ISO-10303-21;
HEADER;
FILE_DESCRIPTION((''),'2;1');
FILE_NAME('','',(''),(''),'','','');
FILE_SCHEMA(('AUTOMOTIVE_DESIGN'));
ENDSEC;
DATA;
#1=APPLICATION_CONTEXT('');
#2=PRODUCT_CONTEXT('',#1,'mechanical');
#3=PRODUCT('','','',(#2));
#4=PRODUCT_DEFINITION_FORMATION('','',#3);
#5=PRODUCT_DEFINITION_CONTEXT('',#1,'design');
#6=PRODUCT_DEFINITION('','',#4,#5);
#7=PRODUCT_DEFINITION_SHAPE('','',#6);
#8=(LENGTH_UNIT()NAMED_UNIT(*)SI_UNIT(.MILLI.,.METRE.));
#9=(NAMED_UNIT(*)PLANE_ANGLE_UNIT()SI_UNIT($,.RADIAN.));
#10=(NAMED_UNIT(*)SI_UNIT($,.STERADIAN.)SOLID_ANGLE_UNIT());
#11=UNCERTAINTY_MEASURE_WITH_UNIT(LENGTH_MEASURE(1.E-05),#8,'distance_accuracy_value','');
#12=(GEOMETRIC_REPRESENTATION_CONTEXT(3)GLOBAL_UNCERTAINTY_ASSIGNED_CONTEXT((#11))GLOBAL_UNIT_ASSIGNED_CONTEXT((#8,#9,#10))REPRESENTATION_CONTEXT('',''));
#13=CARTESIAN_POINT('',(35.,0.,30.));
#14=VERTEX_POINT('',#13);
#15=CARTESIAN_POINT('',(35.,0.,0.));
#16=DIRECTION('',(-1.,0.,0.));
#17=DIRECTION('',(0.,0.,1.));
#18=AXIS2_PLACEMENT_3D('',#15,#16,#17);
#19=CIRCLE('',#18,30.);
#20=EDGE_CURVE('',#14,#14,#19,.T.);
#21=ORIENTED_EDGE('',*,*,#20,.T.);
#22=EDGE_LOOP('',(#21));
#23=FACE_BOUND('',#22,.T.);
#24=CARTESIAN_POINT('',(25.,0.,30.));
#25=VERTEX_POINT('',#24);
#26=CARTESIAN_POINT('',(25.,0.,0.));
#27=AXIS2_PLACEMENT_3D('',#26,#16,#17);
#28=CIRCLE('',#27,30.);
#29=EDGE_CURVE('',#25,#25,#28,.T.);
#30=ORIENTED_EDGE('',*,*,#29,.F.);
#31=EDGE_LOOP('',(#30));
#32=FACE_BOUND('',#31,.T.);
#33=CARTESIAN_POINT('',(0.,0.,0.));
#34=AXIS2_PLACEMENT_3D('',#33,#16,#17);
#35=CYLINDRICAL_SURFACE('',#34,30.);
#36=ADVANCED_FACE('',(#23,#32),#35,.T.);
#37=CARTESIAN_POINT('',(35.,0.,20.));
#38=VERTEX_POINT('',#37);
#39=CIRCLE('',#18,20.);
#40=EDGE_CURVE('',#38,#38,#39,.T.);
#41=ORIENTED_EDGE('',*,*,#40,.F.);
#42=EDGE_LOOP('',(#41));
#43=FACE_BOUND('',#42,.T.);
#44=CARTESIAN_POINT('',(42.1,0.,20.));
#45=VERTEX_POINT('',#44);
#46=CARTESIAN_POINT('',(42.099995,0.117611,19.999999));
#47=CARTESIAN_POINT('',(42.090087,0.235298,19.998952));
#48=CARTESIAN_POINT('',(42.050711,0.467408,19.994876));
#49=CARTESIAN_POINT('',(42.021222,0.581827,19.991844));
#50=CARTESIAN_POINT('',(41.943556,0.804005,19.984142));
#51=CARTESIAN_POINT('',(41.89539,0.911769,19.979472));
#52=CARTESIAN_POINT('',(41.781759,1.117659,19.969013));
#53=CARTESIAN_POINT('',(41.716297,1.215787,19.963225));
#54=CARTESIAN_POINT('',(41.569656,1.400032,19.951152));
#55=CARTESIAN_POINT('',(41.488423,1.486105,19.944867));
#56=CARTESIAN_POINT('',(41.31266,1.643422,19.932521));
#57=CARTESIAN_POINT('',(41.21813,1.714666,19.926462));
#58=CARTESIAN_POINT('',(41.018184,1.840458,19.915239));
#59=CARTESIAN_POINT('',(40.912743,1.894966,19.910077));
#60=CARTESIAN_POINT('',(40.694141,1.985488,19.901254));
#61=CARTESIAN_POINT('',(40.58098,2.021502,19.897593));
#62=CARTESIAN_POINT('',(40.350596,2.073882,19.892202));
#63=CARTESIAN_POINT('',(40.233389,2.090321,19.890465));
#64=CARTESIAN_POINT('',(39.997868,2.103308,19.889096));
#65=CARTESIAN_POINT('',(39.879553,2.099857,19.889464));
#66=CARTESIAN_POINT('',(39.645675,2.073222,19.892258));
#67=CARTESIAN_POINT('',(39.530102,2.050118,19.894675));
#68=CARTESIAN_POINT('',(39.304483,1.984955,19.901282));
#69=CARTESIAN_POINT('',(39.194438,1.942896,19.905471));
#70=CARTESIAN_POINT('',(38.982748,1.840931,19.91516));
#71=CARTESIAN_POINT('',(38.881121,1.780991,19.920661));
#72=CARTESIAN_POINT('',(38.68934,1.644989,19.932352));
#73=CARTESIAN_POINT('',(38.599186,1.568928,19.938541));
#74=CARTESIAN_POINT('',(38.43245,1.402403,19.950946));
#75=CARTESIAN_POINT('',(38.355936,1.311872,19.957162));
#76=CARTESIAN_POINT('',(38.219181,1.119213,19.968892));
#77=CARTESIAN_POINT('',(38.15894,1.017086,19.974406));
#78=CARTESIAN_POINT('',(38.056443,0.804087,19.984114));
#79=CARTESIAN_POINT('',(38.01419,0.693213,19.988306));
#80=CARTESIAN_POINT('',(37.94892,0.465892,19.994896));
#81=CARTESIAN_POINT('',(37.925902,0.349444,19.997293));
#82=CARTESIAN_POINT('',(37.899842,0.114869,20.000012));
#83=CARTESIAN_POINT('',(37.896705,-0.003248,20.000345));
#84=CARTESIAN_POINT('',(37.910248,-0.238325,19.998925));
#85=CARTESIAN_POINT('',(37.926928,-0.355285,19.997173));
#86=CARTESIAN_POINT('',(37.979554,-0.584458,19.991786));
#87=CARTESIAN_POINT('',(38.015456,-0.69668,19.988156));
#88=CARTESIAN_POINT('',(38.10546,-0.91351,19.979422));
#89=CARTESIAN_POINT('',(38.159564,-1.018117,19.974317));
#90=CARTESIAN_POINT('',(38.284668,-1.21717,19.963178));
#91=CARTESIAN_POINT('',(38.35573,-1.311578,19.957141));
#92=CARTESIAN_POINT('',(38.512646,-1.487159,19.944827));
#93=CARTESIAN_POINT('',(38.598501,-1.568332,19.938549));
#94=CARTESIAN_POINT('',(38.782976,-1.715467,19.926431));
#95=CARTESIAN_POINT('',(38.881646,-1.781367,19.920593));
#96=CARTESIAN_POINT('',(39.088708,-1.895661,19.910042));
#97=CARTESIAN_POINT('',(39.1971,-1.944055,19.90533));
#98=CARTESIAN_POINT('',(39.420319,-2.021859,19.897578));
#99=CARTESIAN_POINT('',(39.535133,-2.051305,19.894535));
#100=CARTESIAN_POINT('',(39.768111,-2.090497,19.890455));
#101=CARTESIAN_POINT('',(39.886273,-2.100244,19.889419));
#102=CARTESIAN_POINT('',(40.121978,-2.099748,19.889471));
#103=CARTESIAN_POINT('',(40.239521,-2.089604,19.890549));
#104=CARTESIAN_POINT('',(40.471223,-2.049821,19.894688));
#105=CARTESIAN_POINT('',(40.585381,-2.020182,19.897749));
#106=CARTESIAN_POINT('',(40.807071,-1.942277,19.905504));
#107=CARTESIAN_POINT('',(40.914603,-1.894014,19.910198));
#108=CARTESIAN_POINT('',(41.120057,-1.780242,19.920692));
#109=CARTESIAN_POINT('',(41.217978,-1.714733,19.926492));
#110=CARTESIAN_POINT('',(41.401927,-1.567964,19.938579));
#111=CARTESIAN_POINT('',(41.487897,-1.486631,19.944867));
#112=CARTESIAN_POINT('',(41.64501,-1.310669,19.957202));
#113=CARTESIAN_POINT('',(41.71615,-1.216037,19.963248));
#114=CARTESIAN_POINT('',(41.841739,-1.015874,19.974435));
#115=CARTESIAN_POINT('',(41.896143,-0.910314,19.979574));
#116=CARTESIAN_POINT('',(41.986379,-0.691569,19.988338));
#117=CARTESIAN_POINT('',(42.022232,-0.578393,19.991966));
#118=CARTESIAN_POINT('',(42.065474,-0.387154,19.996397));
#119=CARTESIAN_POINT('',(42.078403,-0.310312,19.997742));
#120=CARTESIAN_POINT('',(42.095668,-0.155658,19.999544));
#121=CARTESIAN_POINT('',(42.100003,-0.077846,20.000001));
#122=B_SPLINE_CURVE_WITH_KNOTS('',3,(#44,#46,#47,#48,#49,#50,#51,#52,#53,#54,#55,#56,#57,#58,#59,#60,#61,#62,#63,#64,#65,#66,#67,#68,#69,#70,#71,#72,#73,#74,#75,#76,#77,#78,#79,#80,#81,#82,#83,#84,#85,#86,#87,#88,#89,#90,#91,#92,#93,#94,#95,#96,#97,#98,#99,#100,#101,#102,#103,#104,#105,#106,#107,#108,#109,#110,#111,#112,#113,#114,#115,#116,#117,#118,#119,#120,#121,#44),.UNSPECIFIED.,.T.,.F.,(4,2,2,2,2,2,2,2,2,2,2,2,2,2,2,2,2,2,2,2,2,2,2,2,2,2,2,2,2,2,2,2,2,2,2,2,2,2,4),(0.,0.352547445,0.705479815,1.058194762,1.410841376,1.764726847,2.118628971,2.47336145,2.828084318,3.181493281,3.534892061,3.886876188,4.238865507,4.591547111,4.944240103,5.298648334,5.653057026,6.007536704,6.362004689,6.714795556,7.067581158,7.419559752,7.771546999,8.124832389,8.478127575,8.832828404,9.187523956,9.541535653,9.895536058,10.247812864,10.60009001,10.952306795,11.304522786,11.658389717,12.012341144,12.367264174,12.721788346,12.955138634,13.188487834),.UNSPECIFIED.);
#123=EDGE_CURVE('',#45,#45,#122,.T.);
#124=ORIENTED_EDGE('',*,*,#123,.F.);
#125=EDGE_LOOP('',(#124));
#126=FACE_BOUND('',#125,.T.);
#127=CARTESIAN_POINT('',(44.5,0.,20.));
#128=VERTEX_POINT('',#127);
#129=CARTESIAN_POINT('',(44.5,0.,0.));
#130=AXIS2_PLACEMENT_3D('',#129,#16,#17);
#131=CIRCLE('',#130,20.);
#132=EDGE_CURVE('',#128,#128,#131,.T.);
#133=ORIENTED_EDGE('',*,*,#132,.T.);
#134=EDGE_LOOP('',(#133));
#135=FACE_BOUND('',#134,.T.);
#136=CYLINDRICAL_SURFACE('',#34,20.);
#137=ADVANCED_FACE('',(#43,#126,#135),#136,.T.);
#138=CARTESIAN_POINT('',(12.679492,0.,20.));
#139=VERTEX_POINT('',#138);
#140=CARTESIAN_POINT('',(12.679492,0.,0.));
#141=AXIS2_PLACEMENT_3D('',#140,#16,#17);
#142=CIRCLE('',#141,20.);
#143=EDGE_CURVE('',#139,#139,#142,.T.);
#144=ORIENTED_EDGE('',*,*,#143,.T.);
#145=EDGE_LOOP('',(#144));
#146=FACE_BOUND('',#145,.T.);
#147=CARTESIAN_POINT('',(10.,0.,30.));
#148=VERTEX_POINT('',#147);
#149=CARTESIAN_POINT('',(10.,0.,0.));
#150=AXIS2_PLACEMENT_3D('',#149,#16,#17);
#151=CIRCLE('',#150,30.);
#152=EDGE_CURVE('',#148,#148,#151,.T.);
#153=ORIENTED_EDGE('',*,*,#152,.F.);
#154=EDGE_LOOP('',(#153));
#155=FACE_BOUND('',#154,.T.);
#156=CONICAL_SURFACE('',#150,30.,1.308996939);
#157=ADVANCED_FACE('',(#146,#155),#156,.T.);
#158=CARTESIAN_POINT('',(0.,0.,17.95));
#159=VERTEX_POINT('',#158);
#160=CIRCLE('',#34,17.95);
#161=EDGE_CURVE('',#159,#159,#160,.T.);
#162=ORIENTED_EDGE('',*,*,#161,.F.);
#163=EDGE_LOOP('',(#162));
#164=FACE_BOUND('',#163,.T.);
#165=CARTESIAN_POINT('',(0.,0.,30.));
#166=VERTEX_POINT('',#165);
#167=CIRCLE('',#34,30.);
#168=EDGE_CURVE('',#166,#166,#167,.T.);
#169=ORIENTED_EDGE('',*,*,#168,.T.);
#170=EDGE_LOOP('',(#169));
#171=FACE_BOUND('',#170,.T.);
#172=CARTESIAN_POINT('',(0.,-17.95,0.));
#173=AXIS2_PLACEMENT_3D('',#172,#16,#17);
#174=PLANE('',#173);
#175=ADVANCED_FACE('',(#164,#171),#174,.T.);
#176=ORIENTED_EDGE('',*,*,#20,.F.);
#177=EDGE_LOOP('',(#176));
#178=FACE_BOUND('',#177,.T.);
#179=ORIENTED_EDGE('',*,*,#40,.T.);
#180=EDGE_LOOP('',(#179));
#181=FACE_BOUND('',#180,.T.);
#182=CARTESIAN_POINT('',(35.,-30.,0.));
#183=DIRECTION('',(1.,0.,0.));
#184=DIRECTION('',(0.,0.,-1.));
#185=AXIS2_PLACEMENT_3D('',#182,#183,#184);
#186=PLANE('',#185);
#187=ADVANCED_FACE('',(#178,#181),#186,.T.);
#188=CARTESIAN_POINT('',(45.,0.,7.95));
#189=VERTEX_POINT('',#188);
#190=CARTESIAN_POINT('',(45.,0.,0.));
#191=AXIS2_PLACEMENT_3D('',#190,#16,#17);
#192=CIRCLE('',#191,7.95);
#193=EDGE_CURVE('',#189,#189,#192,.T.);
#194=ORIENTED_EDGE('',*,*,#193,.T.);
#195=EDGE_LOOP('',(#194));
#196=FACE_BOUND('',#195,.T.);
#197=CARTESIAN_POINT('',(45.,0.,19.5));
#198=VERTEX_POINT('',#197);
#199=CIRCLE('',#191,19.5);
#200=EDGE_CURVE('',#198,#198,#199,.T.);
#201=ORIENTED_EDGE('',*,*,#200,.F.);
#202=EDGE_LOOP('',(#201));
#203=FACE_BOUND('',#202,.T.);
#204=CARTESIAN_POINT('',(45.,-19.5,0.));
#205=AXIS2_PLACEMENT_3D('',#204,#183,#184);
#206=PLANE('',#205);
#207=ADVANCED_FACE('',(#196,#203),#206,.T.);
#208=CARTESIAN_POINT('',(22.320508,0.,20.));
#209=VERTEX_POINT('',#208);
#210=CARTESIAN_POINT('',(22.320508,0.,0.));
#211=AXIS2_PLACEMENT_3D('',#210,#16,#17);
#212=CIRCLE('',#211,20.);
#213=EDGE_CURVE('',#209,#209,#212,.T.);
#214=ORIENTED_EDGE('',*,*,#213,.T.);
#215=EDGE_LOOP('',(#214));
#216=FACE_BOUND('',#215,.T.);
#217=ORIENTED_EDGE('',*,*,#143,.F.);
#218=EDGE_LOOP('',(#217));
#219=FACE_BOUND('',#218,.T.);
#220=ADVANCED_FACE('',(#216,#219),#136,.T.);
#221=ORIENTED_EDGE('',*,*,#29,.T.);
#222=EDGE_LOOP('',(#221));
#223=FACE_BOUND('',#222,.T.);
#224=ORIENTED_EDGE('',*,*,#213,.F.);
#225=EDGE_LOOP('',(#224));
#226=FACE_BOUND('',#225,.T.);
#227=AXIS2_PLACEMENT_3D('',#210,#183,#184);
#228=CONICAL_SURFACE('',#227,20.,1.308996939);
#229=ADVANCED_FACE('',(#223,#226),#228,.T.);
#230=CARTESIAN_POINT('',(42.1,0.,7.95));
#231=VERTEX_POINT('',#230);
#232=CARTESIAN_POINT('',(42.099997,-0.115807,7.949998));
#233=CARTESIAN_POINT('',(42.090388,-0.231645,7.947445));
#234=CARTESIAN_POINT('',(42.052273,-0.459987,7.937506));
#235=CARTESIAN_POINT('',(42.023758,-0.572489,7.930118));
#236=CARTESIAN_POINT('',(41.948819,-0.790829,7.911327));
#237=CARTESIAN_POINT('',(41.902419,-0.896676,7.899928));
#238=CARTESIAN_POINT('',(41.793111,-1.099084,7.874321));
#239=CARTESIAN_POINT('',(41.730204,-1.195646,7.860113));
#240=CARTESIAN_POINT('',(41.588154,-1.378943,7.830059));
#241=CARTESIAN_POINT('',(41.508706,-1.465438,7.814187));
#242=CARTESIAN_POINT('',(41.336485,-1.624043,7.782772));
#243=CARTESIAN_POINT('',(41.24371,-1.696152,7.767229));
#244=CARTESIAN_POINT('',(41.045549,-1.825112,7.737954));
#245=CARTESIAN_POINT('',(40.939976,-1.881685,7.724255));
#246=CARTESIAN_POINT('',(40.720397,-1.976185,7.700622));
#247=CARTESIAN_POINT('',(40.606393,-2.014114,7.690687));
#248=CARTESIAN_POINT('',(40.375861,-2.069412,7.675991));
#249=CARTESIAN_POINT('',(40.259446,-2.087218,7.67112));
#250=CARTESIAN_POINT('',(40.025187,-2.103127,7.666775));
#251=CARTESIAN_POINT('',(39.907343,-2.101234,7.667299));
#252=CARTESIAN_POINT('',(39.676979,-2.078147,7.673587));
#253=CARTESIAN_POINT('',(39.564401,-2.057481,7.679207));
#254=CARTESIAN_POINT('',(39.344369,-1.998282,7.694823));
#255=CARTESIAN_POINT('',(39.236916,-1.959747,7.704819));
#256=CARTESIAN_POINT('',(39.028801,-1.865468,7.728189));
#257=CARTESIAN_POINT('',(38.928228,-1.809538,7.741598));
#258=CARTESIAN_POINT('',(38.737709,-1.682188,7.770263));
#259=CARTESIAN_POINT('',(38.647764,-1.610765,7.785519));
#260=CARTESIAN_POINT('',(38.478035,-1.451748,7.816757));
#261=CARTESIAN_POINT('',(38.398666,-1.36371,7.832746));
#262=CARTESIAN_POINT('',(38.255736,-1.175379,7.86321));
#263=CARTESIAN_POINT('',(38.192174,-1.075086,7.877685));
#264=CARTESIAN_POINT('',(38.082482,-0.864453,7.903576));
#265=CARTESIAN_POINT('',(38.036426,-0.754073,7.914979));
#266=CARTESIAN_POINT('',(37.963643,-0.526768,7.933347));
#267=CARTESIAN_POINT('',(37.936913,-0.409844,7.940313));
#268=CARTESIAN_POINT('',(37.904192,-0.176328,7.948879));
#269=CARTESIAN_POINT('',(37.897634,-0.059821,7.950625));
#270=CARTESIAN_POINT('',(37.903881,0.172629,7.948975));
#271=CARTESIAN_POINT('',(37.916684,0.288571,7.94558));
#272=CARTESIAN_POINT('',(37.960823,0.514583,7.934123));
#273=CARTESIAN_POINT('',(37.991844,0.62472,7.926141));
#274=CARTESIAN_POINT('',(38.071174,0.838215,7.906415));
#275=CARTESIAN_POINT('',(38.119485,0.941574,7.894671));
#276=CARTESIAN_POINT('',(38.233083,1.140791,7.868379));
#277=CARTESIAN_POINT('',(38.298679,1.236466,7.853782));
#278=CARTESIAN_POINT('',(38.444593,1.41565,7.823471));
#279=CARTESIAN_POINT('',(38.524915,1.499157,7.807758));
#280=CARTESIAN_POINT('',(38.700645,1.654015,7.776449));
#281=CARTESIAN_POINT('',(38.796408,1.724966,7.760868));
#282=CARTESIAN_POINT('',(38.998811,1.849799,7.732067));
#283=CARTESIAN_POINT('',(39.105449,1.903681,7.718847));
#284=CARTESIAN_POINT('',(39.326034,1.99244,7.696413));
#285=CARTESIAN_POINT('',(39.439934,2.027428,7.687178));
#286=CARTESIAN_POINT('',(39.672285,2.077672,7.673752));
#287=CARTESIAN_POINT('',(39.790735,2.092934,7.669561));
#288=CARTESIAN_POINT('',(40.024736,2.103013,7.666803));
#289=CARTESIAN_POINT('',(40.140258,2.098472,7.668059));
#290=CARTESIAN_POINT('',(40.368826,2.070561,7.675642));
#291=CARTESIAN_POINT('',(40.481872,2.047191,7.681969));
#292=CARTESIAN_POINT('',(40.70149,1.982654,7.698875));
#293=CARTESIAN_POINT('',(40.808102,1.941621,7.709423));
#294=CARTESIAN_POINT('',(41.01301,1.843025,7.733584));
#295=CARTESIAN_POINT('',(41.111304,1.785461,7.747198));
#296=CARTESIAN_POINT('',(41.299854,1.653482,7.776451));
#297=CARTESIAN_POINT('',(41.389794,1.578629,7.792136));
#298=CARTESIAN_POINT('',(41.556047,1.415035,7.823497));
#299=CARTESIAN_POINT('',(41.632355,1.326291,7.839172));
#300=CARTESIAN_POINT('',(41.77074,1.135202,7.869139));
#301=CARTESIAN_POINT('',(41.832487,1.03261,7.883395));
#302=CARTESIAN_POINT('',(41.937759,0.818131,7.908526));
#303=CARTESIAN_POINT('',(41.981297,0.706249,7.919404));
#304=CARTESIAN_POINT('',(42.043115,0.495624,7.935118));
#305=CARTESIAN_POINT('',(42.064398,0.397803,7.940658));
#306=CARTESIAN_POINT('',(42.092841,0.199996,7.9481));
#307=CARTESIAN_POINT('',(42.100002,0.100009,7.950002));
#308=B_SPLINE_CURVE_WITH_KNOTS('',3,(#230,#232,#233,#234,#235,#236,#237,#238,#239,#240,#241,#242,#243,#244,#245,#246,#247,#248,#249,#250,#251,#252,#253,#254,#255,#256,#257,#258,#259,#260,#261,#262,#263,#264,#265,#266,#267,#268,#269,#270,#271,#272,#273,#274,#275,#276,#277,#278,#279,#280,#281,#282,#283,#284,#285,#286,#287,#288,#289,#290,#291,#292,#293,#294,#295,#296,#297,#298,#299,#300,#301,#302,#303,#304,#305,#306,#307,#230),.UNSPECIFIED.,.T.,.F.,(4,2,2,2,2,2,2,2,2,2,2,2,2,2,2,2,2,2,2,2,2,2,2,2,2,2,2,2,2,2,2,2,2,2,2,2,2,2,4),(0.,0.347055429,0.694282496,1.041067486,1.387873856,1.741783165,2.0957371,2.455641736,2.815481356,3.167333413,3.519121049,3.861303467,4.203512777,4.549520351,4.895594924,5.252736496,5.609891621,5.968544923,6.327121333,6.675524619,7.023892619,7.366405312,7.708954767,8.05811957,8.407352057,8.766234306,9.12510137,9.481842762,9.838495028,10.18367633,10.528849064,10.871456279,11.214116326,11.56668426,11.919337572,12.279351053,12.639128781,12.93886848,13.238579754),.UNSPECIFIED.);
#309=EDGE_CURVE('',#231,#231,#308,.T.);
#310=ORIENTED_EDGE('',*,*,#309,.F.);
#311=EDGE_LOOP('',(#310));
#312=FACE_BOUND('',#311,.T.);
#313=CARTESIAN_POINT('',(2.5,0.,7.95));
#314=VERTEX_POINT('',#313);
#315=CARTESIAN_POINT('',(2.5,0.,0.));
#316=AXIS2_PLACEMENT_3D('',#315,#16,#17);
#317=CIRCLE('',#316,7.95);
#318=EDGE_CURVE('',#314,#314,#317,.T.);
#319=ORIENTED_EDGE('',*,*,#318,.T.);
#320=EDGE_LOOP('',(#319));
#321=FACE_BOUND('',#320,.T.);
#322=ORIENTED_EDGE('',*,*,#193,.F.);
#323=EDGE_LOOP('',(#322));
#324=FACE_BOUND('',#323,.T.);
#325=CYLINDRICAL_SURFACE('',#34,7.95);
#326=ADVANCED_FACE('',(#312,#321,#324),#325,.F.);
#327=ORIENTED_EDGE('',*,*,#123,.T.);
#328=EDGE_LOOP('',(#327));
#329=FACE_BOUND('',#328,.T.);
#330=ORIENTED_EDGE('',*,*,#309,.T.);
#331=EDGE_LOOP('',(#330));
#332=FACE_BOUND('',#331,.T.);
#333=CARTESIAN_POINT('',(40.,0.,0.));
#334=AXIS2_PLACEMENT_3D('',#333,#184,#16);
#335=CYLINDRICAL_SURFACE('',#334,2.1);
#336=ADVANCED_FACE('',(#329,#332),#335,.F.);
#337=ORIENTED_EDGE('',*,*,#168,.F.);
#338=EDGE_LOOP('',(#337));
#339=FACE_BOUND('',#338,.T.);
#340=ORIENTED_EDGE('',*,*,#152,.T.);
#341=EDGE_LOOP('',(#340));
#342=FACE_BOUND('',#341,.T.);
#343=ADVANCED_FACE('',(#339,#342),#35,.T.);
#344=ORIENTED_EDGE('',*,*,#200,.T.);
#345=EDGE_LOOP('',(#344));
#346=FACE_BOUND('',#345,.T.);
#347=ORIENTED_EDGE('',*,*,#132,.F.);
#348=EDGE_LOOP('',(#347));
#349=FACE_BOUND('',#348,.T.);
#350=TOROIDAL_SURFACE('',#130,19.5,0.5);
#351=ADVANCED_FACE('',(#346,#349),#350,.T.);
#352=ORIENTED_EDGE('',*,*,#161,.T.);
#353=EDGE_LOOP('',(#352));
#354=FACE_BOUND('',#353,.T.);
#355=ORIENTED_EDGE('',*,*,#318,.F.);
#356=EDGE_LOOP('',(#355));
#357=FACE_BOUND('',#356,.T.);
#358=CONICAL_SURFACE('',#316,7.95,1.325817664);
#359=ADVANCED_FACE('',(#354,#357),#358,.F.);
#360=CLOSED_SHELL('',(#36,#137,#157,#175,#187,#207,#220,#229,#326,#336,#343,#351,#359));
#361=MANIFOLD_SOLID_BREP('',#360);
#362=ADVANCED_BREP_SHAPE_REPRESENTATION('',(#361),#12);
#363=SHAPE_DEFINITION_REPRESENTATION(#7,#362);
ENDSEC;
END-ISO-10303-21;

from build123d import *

# Parameters (mm, degrees)
ESBO_O1_W = 2.1
ESBO_O1_H = 30


with BuildPart() as part:
    # Sketch1 → Revolve1 (revolve)
    with BuildSketch(Plane.XY):
        with BuildLine():
            Line((0, -17.95), (0, -30))
            Line((0, -30), (10, -30))
            Line((10, -30), (12.679491924, -20))
            Line((12.679491924, -20), (22.320508076, -20))
            Line((22.320508076, -20), (25, -30))
            Line((25, -30), (35, -30))
            Line((35, -30), (35, -20))
            Line((35, -20), (44.5, -20))
            ThreePointArc((44.5, -20), (44.853553391, -19.853553391), (45, -19.5))
            Line((45, -19.5), (45, -7.95))
            Line((45, -7.95), (2.5, -7.95))
            Line((2.5, -7.95), (0, -17.95))
        make_face()
    revolve(axis=Axis((0, 0, 0), (1, 0, 0)))

    # Esboço1 → Broca de rosquear para tarraxa de M5x0.81 (revolve, cut)
    with BuildSketch(Plane.YZ.offset(40)):
        with Locations((1.05, 15)):
            Rectangle(ESBO_O1_W, ESBO_O1_H)
    revolve(axis=Axis((40, 0, -6.35), (0, 0, 1)), mode=Mode.SUBTRACT)


solid = part.part
